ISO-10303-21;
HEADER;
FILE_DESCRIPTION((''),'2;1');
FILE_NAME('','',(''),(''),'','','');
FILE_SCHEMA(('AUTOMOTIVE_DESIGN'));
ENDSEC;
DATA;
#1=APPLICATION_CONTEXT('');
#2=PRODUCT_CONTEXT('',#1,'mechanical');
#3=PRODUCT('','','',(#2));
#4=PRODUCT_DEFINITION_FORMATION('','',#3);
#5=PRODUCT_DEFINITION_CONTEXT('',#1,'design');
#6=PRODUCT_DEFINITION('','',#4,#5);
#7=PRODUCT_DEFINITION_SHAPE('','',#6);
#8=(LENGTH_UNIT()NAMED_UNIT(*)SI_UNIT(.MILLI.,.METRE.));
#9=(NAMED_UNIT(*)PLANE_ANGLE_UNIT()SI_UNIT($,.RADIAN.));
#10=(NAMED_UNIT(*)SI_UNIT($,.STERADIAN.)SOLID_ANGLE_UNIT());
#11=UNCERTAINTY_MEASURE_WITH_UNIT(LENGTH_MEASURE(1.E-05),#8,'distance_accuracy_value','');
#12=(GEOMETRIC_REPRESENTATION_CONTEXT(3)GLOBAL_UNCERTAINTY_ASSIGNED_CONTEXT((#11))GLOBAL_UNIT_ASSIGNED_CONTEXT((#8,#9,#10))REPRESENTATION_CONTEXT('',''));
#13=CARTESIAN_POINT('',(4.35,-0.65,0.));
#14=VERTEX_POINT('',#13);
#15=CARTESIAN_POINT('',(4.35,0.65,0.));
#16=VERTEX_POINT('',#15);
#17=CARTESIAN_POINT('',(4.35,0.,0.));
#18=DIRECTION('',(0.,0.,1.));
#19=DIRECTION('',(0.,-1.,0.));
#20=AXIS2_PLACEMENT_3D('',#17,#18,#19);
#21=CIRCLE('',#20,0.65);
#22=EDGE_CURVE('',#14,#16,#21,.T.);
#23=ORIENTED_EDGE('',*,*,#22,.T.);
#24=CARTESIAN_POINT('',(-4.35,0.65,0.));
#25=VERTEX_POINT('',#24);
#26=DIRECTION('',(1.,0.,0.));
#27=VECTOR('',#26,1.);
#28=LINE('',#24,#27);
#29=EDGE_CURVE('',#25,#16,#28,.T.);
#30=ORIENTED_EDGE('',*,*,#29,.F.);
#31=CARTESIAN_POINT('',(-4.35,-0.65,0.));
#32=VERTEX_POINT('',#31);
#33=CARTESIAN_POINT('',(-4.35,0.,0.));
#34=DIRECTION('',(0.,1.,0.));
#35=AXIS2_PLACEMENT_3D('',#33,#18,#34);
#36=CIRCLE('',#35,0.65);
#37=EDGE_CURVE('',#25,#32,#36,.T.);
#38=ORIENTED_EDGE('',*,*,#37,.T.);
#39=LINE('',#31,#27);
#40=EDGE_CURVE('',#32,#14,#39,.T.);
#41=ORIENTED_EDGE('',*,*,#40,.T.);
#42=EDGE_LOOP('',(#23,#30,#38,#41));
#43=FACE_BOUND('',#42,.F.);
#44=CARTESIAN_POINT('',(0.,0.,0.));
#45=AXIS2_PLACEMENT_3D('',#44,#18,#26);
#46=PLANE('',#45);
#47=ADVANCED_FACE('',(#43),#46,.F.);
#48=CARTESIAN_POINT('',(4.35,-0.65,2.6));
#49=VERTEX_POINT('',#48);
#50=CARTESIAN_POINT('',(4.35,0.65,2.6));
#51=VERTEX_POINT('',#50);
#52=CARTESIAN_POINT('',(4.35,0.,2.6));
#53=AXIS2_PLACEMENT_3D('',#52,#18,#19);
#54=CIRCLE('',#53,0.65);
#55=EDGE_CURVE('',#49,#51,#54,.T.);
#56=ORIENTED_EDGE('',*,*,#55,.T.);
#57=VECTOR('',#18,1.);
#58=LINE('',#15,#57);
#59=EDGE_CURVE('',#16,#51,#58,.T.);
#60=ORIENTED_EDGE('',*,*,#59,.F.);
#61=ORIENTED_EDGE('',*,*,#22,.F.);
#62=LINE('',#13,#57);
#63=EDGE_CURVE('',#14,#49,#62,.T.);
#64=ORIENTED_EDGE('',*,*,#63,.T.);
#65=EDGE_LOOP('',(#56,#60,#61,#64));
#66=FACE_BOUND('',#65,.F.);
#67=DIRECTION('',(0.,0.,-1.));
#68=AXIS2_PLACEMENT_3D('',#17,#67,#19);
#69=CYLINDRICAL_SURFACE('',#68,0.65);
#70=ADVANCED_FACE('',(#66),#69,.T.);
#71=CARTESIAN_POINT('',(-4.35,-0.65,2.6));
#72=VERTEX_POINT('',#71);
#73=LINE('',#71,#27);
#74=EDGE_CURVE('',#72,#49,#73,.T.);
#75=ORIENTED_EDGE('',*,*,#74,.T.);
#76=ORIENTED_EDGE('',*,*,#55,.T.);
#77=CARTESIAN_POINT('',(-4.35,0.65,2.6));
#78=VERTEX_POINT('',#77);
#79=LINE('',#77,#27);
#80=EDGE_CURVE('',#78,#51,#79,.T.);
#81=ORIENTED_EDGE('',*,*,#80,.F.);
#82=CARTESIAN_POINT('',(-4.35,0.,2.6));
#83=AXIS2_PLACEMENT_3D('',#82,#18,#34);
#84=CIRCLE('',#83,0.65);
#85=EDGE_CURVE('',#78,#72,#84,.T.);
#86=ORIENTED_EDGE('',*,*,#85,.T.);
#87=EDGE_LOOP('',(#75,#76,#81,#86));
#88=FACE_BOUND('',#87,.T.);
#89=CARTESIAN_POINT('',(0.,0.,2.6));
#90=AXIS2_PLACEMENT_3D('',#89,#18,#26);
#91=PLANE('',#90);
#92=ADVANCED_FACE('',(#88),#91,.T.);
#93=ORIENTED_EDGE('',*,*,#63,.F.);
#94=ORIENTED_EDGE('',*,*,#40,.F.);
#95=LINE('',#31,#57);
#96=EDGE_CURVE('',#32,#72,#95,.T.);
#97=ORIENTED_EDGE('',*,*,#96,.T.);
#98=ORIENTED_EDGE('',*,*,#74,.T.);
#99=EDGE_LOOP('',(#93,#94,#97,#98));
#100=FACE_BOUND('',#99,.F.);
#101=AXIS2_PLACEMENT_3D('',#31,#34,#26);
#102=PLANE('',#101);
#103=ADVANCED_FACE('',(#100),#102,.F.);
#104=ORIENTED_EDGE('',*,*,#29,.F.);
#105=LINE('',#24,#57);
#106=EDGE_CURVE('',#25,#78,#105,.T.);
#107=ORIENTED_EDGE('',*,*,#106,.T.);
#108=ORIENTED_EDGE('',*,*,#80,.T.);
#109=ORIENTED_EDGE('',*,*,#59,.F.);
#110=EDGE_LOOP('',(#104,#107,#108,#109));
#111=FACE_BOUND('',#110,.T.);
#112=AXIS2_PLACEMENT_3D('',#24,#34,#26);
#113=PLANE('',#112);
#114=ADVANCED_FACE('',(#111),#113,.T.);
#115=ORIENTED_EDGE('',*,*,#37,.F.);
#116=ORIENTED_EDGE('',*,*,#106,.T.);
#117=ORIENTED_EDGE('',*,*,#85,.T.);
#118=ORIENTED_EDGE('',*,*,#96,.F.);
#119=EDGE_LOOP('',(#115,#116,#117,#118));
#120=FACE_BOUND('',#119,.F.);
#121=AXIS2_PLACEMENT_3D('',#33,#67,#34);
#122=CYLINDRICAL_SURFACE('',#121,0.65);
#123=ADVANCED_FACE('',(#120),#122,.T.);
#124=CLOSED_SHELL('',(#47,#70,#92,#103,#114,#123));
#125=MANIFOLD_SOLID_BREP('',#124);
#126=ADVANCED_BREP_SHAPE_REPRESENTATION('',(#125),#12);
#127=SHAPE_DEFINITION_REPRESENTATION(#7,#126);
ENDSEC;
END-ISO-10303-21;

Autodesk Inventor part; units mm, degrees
ref_plane "YZ Plane" through (0, 0, 0) normal (1, 0, 0) x (0, 1, 0)
ref_plane "XZ Plane" through (0, 0, 0) normal (0, 1, 0) x (-1, 0, 0)
ref_plane "XY Plane" through (0, 0, 0) normal (0, 0, 1) x (1, 0, 0)
sketch "Sketch1" plane through (0, 0, 0) normal (0, 0, 1) x (1, 0, 0)
  line L0 (-4.35, 0.65) -> (4.35, 0.65)
  line L1 (-4.35, -0.65) -> (4.35, -0.65)
  arc A0 (4.35, -0.65) -> (4.35, 0.65) centre (4.35, 0) ccw
  arc A1 (-4.35, 0.65) -> (-4.35, -0.65) centre (-4.35, 0) ccw
  dimension "d0" = 1.3
  dimension "d1" = 10
  dimension "d2" = 8.7
extrude "Extrusion1" add sketch "Sketch1" along normal blind 2.6
properties part number "Key"
